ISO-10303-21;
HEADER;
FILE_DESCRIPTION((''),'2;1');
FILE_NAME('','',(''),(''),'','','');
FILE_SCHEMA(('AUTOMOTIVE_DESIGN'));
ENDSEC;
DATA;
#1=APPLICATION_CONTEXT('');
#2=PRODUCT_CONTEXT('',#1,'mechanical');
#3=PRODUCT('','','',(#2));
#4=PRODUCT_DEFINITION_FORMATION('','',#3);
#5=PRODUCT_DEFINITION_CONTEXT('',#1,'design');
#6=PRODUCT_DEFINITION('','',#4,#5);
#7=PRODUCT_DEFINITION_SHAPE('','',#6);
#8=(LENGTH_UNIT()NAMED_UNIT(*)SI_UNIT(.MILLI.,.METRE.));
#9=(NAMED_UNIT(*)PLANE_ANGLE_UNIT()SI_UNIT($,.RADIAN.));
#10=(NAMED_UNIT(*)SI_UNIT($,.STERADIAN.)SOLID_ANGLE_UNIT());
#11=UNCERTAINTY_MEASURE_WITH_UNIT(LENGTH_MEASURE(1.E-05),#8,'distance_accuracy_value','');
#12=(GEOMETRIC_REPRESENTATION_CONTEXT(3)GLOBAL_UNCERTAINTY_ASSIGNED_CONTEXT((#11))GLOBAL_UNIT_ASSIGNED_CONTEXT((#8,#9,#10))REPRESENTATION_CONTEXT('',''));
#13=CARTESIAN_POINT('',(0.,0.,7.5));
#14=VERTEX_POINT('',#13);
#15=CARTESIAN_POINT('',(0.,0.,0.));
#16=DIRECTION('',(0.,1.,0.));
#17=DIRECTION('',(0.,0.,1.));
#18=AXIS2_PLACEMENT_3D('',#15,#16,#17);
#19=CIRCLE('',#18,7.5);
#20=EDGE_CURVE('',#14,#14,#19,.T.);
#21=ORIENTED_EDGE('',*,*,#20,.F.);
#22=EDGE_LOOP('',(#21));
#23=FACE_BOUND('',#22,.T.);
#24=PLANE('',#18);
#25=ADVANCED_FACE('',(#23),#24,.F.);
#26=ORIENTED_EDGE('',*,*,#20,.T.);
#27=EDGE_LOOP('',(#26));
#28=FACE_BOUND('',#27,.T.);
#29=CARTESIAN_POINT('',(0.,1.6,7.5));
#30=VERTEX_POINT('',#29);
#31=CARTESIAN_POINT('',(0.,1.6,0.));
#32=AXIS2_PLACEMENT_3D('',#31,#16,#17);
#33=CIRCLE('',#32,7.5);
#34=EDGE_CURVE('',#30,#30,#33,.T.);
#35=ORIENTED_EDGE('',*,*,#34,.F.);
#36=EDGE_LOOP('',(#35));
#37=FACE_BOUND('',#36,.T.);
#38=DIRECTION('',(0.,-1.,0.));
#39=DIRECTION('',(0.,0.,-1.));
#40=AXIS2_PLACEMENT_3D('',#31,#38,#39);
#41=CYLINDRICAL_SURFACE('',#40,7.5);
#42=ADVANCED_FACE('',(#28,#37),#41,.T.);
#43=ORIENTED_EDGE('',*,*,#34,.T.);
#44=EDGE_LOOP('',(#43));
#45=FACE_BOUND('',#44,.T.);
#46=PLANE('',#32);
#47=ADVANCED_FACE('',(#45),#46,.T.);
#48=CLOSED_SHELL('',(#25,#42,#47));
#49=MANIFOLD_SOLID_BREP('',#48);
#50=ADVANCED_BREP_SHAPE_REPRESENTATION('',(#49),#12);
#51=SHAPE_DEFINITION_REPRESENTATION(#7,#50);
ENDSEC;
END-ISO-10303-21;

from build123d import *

# Parameters (mm, degrees)
ESQUISSE1_R        = 7.5
BOSS_EXTRU_1_DEPTH = 1.6


with BuildPart() as part:
    # Esquisse1 → Boss.-Extru.1 (new body)
    with BuildSketch(Plane(origin=(0, 0, 0), x_dir=(1, 0, 0), z_dir=(0, 1, 0))):
        with Locations(Location((0, 0, 0), (0, 0, 270))):
            Circle(ESQUISSE1_R)
    extrude(amount=BOSS_EXTRU_1_DEPTH)


solid = part.part
